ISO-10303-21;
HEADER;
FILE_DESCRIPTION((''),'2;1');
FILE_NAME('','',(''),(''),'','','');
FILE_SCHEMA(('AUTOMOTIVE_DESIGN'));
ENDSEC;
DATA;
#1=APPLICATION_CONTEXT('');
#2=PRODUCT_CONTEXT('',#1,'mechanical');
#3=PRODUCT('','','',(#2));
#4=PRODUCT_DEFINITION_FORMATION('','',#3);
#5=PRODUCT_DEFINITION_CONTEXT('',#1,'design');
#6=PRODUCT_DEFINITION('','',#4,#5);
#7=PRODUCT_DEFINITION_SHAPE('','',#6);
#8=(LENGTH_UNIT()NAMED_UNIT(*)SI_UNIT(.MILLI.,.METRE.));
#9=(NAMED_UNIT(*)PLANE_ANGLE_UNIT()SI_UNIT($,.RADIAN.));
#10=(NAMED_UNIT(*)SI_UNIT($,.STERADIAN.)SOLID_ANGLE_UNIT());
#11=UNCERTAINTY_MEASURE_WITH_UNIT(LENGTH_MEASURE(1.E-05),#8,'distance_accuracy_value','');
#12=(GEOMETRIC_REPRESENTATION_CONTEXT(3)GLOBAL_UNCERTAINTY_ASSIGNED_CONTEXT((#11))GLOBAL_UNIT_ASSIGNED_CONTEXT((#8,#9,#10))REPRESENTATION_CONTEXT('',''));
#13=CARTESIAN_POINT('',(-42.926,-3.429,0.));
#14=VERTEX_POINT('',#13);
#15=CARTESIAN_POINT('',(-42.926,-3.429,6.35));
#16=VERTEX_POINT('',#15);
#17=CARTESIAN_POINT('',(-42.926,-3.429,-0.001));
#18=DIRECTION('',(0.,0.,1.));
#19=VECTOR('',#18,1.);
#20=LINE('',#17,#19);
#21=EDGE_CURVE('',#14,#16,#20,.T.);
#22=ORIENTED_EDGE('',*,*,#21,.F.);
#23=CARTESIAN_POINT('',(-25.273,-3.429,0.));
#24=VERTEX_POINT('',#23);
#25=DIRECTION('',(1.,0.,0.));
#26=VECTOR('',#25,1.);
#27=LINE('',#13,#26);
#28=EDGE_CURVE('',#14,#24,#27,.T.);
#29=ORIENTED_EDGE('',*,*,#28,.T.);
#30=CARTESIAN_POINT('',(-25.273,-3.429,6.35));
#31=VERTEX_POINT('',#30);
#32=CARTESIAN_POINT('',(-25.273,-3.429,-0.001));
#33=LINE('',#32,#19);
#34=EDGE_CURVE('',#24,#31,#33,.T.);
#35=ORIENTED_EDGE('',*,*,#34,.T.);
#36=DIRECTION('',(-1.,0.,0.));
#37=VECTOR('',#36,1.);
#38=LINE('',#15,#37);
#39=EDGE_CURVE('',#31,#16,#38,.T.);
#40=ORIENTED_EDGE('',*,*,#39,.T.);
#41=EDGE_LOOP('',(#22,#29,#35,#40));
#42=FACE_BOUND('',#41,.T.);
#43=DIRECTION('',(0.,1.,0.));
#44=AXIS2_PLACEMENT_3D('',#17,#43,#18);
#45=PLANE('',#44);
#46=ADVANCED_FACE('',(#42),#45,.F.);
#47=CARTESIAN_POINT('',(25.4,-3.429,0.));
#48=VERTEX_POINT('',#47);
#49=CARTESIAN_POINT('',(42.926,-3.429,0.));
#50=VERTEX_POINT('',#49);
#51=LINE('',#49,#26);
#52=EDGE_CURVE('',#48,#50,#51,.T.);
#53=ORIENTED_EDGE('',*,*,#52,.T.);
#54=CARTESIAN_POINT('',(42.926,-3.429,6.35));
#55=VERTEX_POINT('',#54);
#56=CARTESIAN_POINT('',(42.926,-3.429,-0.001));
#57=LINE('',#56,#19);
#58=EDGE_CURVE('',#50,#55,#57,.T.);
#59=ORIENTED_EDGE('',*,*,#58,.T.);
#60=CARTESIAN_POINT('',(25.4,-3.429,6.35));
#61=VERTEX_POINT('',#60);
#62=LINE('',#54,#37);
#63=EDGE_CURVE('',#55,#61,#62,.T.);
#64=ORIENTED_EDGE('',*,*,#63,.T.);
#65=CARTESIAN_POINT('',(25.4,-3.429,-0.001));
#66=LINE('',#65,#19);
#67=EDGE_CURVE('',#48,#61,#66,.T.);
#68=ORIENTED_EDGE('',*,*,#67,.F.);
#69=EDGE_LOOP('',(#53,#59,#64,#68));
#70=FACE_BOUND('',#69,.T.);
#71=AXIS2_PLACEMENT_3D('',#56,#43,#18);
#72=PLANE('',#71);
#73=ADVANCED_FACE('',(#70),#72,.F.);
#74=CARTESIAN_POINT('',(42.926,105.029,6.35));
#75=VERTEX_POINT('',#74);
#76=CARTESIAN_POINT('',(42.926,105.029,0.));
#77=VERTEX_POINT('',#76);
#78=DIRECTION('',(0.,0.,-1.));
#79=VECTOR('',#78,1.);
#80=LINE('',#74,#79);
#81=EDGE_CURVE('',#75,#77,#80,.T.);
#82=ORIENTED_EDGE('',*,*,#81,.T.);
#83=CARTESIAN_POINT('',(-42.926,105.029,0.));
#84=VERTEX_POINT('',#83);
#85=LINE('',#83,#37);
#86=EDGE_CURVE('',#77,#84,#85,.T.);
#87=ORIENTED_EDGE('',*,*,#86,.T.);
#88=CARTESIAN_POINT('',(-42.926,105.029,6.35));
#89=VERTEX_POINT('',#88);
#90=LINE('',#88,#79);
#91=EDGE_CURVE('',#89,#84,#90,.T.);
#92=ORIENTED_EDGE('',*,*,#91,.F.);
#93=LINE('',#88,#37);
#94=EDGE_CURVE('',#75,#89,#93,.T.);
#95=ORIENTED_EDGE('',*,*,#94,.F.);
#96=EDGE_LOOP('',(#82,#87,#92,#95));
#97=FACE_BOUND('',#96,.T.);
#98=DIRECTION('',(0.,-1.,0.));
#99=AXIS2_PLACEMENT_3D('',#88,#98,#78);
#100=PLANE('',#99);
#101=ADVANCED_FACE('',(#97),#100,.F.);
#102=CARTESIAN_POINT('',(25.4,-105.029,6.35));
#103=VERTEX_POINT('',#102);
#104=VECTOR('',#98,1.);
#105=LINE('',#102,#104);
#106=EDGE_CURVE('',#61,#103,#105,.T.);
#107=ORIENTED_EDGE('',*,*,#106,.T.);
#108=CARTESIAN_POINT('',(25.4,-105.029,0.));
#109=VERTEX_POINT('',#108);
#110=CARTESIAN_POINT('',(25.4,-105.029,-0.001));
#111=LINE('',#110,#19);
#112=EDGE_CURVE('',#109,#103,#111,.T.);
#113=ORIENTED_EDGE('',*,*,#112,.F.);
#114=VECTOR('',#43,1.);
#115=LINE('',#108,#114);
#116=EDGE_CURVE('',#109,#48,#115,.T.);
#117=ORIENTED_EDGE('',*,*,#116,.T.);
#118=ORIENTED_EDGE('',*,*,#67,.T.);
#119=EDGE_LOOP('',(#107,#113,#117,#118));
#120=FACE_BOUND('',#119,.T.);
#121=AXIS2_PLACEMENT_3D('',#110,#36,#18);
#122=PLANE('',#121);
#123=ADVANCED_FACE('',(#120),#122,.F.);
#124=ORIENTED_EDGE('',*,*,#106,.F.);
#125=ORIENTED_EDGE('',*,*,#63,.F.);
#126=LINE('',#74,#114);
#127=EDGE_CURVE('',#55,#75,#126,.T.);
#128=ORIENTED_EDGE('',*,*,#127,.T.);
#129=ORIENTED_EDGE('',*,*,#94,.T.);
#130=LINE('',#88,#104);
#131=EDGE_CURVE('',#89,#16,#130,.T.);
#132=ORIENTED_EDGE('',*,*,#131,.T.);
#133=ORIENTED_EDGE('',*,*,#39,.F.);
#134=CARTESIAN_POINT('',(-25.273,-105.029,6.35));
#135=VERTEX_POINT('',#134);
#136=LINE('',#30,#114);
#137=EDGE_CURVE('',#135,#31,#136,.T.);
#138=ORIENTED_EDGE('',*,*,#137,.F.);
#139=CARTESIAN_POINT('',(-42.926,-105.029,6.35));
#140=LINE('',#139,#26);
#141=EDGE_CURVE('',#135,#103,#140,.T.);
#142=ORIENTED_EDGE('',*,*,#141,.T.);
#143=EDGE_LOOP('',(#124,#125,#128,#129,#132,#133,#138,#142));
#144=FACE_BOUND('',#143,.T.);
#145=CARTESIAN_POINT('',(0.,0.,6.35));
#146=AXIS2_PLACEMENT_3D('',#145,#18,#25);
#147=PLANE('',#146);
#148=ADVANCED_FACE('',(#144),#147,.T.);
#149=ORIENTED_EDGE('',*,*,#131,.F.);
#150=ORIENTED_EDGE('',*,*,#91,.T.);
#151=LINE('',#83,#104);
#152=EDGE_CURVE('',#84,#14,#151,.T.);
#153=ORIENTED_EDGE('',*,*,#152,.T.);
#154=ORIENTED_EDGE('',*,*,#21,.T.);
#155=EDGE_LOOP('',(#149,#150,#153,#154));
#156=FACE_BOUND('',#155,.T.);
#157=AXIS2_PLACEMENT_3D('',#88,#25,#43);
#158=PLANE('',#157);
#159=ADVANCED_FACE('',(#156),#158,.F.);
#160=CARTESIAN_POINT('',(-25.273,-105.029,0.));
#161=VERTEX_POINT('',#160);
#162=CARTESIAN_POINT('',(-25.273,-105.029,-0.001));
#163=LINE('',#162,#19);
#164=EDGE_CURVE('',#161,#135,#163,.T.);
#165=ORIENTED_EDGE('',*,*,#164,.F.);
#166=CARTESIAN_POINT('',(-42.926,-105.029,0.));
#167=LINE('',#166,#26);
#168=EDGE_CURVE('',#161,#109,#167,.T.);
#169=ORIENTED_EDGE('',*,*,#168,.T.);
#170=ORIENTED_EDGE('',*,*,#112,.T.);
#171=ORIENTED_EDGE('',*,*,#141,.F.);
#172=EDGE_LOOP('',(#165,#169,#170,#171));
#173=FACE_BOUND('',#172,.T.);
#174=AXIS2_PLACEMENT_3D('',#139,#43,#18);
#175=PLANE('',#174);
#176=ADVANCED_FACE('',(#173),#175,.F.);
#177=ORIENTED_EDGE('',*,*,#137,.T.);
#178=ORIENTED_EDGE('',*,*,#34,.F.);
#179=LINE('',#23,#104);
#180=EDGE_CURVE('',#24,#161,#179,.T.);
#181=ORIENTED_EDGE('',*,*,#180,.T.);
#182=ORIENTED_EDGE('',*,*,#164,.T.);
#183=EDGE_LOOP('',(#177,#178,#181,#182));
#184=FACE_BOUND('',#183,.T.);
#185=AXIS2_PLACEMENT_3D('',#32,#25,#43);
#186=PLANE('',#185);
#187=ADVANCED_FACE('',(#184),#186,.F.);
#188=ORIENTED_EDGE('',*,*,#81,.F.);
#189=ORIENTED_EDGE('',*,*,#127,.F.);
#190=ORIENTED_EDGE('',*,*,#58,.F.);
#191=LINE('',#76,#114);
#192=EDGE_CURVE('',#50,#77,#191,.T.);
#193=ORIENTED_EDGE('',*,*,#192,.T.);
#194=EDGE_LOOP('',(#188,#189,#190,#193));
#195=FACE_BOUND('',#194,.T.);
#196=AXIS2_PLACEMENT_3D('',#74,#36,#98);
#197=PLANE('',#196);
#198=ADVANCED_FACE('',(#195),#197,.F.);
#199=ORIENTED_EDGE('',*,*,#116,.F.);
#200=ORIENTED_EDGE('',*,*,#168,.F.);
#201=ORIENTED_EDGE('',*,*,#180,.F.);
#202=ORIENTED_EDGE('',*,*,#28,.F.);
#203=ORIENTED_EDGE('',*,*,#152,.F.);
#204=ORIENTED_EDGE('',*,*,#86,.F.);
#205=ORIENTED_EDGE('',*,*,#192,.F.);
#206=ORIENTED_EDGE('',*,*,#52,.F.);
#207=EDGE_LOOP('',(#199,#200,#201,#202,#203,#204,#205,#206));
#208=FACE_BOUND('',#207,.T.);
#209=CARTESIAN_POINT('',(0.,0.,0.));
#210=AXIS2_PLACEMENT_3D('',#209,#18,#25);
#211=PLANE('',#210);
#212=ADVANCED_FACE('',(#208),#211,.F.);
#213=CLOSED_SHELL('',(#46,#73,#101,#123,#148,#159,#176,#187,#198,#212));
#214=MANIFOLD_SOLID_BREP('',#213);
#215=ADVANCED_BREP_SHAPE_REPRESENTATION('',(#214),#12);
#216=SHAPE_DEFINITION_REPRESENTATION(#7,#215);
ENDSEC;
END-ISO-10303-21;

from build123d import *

# Parameters (mm, degrees)
SKETCH1_W           = 85.852
SKETCH1_H           = 210.058
BOSS_EXTRUDE1_DEPTH = 6.35
CUT_EXTRUDE1_REACH  = 115.64
SKETCH2_W           = 17.526
SKETCH2_H           = 101.6
SKETCH2_W_2         = 17.653


with BuildPart() as part:
    # Sketch1 → Boss-Extrude1 (new body)
    with BuildSketch(Plane.XY):
        Rectangle(SKETCH1_W, SKETCH1_H)
    extrude(amount=BOSS_EXTRUDE1_DEPTH)

    # Sketch2 → Cut-Extrude1 (cut, up to next)
    with BuildSketch(Plane.XY.offset(6.35), mode=Mode.PRIVATE) as cut_extrude1_sk1:
        with Locations((34.163, -54.229)):
            Rectangle(SKETCH2_W, SKETCH2_H)
    cut_extrude1_tool1 = extrude(cut_extrude1_sk1.sketch, amount=-CUT_EXTRUDE1_REACH, mode=Mode.PRIVATE) & part.part
    # Sketch2 → Cut-Extrude1 (cut, up to next)
    with BuildSketch(Plane.XY.offset(6.35), mode=Mode.PRIVATE) as cut_extrude1_sk2:
        with Locations((-34.0995, -54.229)):
            Rectangle(SKETCH2_W_2, SKETCH2_H)
    cut_extrude1_tool2 = extrude(cut_extrude1_sk2.sketch, amount=-CUT_EXTRUDE1_REACH, mode=Mode.PRIVATE) & part.part
    add(cut_extrude1_tool1.solids().sort_by_distance((34.163, -54.229, 6.35))[0], mode=Mode.SUBTRACT)
    add(cut_extrude1_tool2.solids().sort_by_distance((-34.0995, -54.229, 6.35))[0], mode=Mode.SUBTRACT)


solid = part.part
